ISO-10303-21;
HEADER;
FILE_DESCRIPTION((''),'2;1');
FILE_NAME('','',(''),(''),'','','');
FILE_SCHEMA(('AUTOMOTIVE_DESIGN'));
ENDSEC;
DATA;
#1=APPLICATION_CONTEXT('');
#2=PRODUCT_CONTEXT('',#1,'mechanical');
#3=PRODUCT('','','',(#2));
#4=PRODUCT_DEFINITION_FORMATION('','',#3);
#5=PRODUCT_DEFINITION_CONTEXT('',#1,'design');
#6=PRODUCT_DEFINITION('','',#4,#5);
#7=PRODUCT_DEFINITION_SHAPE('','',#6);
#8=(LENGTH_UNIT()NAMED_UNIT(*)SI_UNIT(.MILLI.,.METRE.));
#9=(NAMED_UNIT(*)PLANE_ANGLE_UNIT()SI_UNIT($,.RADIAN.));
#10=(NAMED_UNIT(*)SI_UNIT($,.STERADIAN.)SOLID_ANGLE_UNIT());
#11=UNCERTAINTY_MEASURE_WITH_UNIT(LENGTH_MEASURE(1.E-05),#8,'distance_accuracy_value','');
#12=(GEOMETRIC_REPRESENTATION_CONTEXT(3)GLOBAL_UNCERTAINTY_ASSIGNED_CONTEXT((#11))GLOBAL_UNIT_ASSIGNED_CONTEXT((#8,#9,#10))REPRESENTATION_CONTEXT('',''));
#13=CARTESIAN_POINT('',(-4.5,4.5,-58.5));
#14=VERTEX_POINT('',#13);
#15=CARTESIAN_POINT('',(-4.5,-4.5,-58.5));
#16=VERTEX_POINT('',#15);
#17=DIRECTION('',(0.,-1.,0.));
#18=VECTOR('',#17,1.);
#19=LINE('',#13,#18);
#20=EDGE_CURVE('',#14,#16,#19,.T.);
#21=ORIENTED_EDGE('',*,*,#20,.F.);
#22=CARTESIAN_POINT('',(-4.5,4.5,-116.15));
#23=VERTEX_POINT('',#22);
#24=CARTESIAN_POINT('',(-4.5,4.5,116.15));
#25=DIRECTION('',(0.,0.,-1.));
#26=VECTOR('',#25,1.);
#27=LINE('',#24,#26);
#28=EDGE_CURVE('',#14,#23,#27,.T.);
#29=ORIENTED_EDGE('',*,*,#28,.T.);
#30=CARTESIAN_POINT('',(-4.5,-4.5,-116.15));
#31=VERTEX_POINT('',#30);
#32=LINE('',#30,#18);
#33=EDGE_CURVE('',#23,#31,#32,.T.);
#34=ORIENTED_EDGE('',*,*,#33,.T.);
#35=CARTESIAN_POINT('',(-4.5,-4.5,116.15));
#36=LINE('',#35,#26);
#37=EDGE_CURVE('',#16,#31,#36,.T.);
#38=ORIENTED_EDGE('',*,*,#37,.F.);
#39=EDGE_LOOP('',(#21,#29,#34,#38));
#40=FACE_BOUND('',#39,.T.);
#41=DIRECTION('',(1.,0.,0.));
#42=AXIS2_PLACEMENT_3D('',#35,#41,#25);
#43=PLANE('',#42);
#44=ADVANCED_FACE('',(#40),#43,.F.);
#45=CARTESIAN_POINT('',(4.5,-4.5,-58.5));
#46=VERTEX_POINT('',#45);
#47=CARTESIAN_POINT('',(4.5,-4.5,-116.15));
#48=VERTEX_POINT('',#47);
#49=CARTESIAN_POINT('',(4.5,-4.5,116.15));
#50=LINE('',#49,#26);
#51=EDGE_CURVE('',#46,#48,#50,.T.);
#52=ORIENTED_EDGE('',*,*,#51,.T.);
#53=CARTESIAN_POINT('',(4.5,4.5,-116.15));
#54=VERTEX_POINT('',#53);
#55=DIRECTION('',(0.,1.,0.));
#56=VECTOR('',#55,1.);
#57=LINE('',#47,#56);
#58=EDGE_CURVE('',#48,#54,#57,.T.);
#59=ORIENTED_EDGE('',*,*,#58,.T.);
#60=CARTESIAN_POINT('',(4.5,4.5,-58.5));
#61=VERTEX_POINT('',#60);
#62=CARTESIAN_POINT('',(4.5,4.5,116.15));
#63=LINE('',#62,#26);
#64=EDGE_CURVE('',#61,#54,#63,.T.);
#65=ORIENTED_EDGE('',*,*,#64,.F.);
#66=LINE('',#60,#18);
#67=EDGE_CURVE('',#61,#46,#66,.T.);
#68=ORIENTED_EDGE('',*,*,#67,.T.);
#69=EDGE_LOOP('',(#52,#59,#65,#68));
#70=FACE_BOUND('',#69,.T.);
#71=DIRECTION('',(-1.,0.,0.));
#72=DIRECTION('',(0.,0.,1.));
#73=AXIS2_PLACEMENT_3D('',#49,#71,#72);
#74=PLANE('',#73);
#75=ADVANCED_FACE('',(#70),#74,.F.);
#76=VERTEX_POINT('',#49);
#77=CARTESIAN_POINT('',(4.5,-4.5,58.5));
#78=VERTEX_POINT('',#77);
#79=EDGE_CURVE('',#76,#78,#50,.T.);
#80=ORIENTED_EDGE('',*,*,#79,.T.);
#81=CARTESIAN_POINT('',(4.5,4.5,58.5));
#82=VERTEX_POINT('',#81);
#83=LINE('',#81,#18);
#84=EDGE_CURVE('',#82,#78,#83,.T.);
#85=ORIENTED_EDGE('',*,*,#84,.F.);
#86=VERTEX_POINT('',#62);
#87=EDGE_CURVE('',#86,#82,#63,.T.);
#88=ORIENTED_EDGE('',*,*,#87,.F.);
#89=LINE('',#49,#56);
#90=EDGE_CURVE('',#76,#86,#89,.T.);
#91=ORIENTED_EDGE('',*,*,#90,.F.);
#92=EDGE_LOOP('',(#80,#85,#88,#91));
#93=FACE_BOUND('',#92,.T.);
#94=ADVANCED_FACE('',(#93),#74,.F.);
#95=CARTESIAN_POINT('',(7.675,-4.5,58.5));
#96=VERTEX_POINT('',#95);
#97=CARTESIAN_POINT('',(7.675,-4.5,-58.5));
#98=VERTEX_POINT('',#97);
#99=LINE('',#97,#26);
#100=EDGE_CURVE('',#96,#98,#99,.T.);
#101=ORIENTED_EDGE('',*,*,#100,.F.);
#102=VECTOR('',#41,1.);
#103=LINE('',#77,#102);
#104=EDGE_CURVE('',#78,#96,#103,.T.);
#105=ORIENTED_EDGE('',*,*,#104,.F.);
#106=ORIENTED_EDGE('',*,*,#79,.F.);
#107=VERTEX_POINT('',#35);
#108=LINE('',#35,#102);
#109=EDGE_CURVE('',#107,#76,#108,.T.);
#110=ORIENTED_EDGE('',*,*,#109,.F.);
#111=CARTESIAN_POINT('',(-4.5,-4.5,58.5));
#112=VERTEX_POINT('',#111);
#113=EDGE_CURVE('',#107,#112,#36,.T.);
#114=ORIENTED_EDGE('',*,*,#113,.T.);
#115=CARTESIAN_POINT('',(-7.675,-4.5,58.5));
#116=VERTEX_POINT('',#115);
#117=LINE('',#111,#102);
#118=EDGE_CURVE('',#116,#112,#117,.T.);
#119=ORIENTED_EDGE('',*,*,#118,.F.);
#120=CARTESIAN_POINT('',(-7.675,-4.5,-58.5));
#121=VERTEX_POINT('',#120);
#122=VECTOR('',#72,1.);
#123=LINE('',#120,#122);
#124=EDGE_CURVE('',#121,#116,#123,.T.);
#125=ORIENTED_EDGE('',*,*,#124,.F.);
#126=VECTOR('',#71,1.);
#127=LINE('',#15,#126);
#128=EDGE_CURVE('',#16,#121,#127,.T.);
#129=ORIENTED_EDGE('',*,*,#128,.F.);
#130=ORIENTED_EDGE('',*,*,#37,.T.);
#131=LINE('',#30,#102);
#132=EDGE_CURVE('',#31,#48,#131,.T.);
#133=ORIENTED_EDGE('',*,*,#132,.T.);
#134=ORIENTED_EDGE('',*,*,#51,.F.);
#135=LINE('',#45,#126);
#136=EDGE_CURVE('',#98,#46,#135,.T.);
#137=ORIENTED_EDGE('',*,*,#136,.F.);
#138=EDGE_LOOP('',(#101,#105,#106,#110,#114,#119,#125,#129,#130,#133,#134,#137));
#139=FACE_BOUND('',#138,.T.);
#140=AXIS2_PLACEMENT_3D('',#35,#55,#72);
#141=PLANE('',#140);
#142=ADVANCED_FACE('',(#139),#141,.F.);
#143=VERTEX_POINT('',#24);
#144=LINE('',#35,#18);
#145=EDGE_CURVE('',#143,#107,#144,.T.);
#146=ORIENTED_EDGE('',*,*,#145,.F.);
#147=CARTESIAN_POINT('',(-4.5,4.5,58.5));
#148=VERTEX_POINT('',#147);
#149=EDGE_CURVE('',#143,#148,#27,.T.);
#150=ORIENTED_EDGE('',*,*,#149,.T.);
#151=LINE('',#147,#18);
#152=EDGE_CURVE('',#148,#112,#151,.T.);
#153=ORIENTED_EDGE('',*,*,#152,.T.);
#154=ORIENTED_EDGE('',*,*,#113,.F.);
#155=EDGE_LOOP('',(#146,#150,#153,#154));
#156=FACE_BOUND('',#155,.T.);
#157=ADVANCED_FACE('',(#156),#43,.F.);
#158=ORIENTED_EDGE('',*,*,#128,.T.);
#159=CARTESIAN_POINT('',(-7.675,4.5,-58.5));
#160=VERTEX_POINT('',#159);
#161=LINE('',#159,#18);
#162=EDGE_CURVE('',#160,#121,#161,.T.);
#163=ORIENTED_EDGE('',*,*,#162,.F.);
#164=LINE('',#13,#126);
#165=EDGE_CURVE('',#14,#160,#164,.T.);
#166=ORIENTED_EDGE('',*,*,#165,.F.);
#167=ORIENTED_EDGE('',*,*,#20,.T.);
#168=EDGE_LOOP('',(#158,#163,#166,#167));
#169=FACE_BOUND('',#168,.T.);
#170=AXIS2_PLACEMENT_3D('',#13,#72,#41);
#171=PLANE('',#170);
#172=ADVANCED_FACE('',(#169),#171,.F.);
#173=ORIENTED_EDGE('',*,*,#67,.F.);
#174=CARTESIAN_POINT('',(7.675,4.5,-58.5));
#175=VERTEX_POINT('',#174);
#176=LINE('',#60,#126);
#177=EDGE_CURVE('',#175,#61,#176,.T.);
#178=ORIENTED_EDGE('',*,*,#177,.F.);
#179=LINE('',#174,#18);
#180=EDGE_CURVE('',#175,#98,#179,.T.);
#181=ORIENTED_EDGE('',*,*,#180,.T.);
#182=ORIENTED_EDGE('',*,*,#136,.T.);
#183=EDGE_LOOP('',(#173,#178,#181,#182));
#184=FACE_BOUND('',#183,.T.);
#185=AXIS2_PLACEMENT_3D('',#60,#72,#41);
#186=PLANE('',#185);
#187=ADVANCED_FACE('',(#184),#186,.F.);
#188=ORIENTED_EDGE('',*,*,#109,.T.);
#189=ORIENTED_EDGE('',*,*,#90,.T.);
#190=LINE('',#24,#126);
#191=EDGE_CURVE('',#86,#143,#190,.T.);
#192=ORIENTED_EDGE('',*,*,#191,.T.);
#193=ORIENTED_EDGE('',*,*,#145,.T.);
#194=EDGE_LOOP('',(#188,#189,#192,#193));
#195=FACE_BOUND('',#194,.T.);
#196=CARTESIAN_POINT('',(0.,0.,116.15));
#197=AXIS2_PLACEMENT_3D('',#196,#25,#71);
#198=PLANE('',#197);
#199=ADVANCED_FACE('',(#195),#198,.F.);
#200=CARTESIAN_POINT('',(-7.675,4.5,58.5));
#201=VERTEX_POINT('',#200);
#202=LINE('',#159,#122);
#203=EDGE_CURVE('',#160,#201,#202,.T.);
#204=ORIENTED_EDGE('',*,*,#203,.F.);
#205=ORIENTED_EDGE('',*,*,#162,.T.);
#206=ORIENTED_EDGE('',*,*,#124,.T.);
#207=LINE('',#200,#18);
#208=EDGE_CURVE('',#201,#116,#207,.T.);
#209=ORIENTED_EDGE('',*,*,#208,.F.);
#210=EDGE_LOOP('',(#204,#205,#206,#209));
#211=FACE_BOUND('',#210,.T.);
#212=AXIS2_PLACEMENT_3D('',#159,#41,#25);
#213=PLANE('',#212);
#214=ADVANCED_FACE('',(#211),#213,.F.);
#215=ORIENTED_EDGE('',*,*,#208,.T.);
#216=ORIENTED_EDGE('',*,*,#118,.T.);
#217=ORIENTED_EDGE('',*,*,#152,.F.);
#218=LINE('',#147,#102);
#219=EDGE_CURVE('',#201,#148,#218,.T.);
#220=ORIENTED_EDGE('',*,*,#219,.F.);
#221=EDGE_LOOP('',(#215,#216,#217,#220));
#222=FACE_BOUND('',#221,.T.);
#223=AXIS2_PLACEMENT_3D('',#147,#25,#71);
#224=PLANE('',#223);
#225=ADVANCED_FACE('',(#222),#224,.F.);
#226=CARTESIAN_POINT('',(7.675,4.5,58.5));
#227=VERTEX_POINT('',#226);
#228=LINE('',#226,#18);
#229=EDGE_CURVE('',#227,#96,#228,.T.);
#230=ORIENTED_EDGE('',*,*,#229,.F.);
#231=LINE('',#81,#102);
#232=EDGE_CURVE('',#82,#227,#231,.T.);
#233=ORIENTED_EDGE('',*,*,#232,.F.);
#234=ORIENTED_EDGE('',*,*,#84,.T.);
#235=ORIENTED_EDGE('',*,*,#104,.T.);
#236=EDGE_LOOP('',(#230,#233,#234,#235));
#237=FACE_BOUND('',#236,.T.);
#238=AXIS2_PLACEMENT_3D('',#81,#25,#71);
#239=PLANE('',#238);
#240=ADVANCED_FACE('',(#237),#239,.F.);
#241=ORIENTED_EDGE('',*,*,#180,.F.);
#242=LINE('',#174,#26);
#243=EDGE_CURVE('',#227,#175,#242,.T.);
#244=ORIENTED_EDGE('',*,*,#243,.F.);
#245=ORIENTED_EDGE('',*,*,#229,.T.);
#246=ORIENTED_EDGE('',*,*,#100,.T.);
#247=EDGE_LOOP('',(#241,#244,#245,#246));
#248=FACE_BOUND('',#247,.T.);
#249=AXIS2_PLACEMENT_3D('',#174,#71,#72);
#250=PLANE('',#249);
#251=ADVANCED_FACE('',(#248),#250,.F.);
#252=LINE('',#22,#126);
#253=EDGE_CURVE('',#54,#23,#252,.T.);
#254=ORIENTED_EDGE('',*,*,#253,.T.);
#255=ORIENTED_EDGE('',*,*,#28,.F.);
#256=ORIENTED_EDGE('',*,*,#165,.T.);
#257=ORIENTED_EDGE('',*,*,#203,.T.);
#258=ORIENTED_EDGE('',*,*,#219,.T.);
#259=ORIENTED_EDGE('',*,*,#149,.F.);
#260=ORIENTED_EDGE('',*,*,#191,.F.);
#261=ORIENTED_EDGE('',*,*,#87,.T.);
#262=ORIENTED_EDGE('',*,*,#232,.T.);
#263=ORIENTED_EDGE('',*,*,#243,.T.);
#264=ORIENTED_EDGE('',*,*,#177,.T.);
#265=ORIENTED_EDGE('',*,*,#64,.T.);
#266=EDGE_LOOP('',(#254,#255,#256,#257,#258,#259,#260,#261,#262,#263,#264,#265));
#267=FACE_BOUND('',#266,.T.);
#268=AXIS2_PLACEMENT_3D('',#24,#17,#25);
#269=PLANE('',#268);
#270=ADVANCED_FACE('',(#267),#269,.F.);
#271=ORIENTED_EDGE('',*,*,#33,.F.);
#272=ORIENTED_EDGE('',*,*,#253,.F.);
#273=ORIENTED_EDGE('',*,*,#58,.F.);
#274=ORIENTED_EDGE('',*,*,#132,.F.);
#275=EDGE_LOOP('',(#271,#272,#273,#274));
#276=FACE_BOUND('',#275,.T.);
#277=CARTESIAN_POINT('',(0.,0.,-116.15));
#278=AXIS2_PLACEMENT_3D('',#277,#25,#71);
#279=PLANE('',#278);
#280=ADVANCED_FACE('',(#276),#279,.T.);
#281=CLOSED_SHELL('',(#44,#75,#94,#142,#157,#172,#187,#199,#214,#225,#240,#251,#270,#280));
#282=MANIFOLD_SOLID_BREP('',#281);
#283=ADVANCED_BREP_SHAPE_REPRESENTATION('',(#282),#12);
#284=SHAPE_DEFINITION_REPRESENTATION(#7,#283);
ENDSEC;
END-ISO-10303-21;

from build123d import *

# Parameters (mm, degrees)
SKETCH1_W           = 9
SKETCH1_H           = 9
BOSS_EXTRUDE1_DEPTH = 116.15
SKETCH2_W           = 3.175
SKETCH2_H           = 117
BOSS_EXTRUDE2_DEPTH = 4.5


with BuildPart() as part:
    # Sketch1 → Boss-Extrude1 (new body, symmetric)
    with BuildSketch(Plane.XY):
        Rectangle(SKETCH1_W, SKETCH1_H)
    extrude(amount=BOSS_EXTRUDE1_DEPTH, both=True)

    # Sketch2 → Boss-Extrude2 (add, symmetric)
    with BuildSketch(Plane(origin=(0, 0, 0), x_dir=(1, 0, 0), z_dir=(0, 1, 0))):
        with Locations((6.0875, 0)):
            Rectangle(SKETCH2_W, SKETCH2_H)
        with Locations((-6.0875, 0)):
            Rectangle(SKETCH2_W, SKETCH2_H)
    extrude(amount=BOSS_EXTRUDE2_DEPTH, both=True)


solid = part.part
